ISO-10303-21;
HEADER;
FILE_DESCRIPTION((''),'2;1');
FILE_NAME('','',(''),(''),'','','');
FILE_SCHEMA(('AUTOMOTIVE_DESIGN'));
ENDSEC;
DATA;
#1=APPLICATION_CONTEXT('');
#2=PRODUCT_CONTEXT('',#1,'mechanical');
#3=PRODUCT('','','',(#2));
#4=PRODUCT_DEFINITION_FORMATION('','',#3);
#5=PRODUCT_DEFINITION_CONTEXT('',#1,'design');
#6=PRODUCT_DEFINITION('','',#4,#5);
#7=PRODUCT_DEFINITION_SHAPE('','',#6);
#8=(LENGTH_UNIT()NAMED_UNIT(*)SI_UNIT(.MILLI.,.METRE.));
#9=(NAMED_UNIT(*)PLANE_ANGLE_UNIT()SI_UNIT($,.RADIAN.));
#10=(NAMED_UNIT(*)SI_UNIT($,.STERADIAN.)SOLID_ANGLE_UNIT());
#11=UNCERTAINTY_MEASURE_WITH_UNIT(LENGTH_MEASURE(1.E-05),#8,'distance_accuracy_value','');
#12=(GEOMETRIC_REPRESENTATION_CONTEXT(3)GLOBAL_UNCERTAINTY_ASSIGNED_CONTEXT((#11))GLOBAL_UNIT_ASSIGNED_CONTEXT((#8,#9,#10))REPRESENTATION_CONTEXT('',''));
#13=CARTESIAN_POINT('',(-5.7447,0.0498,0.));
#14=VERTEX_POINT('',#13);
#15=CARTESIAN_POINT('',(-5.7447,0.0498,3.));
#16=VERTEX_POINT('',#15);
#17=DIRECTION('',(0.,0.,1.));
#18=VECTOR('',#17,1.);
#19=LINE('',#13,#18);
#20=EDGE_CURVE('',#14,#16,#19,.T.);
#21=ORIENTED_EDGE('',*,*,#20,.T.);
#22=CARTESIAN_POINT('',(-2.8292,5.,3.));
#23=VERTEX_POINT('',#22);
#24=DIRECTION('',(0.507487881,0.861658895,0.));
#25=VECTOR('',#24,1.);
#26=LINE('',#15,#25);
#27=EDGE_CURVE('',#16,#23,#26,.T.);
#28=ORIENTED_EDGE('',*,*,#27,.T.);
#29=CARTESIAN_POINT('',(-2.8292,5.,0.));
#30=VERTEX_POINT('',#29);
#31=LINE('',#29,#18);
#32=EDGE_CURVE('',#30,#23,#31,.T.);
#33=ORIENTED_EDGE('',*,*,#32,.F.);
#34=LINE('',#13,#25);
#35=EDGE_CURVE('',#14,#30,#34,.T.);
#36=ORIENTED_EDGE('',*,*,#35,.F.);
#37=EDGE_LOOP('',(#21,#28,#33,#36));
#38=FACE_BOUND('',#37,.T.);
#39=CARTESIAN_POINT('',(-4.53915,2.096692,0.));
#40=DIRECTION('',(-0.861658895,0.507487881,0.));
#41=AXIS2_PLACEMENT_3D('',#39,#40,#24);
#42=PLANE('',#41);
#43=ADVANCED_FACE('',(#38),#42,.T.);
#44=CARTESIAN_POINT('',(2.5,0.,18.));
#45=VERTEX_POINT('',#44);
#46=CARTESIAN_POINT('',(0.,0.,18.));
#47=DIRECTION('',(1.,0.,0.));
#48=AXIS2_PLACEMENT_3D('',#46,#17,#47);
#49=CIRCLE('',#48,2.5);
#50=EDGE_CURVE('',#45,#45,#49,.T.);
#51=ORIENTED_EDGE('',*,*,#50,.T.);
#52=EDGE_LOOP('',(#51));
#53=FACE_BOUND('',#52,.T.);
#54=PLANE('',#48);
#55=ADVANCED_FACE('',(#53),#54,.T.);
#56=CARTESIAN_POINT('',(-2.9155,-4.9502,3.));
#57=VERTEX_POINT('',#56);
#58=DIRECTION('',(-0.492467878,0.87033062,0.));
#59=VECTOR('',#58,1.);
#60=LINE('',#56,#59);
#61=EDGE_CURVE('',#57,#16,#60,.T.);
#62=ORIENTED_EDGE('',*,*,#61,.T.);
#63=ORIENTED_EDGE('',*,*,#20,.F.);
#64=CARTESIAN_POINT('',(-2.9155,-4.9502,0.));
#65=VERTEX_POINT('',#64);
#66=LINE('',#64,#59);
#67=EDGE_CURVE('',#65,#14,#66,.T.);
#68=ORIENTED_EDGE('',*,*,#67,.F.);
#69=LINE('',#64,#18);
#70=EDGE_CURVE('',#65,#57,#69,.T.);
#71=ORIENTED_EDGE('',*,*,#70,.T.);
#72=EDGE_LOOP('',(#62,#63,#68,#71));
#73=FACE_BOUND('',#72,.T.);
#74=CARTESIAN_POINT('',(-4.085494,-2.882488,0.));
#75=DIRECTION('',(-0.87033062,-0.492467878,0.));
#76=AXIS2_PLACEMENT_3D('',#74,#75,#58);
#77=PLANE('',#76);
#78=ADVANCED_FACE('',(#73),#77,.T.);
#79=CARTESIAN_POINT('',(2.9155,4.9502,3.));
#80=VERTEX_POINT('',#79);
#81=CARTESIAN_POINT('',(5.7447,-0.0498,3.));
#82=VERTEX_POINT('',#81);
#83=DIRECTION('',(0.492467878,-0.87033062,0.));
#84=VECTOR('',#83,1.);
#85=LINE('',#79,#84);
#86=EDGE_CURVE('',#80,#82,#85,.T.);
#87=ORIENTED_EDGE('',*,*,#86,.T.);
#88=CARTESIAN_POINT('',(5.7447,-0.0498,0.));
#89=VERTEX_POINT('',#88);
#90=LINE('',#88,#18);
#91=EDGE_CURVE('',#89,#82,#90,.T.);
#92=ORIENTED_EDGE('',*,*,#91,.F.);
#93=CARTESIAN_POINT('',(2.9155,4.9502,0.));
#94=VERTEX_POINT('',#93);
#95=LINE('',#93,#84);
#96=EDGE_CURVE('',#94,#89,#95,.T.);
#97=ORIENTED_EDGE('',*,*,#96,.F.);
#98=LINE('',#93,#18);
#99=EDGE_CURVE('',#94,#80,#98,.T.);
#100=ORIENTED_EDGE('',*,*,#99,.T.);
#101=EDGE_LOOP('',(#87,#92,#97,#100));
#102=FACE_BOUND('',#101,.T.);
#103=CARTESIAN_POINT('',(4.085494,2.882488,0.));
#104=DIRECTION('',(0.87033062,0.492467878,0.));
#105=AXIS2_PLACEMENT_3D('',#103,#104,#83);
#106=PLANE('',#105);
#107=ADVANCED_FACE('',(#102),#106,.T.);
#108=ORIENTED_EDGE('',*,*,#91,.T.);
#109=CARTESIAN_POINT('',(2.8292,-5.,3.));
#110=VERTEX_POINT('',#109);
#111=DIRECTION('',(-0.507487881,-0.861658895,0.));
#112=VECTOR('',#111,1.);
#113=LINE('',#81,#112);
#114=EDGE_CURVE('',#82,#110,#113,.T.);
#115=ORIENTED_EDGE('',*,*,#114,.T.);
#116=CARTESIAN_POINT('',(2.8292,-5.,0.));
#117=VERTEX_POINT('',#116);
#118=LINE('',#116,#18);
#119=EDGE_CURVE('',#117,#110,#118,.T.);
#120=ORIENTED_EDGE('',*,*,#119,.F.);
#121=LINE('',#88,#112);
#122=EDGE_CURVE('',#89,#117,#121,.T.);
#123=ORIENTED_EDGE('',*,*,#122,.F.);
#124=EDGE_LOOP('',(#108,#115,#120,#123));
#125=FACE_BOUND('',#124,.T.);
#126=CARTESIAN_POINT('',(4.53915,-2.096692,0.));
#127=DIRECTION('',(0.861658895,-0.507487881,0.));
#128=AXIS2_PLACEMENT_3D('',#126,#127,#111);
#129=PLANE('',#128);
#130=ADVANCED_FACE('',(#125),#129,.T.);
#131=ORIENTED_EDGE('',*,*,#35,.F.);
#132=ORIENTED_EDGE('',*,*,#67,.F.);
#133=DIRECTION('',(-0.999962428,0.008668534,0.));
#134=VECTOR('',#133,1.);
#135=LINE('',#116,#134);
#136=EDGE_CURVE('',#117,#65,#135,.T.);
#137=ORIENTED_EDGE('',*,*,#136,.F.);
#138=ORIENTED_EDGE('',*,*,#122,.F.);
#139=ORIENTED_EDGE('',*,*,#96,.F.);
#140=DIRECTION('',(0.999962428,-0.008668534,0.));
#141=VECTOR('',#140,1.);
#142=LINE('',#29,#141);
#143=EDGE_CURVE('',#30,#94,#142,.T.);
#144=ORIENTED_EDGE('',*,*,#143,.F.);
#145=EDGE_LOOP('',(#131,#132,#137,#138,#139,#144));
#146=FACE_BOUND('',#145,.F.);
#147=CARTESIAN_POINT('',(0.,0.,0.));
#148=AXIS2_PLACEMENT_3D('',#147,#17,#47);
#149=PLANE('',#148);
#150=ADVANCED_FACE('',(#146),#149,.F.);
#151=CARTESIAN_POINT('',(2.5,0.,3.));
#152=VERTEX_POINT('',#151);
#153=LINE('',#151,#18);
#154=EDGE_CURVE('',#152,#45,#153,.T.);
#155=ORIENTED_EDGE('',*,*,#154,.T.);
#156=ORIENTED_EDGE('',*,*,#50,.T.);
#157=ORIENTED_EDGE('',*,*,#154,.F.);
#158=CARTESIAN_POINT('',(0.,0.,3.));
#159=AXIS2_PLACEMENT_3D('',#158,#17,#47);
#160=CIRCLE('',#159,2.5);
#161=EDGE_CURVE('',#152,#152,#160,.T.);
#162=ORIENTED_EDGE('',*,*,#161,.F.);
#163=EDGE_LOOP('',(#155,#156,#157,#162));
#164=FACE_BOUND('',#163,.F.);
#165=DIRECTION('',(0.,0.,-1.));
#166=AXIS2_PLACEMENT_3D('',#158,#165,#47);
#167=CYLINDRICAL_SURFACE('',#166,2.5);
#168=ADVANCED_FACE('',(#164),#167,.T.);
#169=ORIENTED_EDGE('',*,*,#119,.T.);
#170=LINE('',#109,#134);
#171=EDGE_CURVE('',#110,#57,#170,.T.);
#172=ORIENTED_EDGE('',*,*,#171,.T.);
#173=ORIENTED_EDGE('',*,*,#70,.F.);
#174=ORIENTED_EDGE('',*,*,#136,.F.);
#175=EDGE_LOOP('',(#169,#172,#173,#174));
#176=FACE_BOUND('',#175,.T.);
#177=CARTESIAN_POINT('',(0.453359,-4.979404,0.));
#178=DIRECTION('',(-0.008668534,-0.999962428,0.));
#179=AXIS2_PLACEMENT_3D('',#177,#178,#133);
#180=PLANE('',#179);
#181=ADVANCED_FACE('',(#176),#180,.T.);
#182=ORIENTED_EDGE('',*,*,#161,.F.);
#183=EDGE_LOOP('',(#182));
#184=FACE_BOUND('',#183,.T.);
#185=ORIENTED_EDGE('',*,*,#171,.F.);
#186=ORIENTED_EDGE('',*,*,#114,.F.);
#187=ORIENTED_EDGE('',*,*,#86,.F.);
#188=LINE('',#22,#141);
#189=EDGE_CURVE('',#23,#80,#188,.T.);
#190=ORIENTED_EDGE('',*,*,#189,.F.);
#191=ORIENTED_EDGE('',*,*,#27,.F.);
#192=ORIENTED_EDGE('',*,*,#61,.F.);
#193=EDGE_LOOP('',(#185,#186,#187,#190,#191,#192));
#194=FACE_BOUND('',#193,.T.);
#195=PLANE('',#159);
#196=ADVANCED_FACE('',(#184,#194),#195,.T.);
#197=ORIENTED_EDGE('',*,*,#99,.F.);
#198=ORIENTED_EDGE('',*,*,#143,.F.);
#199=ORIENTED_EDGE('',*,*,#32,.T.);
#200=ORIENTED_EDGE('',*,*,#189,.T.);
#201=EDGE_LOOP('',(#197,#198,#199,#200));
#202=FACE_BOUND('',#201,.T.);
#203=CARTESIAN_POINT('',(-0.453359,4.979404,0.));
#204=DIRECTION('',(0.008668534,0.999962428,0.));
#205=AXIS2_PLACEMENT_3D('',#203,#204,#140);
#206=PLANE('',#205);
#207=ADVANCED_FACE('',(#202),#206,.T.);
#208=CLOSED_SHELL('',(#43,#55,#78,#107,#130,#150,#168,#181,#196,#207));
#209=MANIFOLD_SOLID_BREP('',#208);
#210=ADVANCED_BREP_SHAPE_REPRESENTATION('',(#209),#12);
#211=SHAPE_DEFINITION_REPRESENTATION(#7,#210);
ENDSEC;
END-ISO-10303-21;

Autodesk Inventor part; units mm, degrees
ref_plane "YZ Plane" through (0, 0, 0) normal (1, 0, 0) x (0, 1, 0)
ref_plane "XZ Plane" through (0, 0, 0) normal (0, 1, 0) x (-1, 0, 0)
ref_plane "XY Plane" through (0, 0, 0) normal (0, 0, 1) x (1, 0, 0)
sketch "Sketch1" plane through (0, 0, 0) normal (0, 0, 1) x (1, 0, 0)
  circle A0 centre (0, 0) radius 2.5
  circle A1 centre (0, 0) radius 5
  line L0 (2.8292, -5) -> (-2.9155, -4.9502)
  line L1 (-2.9155, -4.9502) -> (-5.7447, 0.0498)
  line L2 (-5.7447, 0.0498) -> (-2.8292, 5)
  line L3 (-2.8292, 5) -> (2.9155, 4.9502)
  line L4 (2.9155, 4.9502) -> (5.7447, -0.0498)
  line L5 (5.7447, -0.0498) -> (2.8292, -5)
  dimension "d0" = 5
  dimension "d1" = 10
extrude "Extrusion1" add sketch "Sketch1" along normal blind 3 contours A0 | A1 L5 L0 L1 L2 L3 L4 | A1 L4 L5 | A1 L3 L4 | L5 L0 A1 | A1 L2 L3 | L0 L1 A1 | A1 L1 L2
sketch "Sketch2" plane through (0, 0, 3) normal (0, 0, 1) x (1, 0, 0)
  circle A0 centre (0, 0) radius 2.5
  dimension "d4" = 5
extrude "Extrusion2" add sketch "Sketch2" along normal blind 15
thread "Thread1" size "M5x0.8" class "6g" standard "ANSI Metric M Profile" full length
sketch "Sketch3" plane through (0, 0, 0) normal (0, 0, -1) x (-1, 0, 0)
  point P0 (0, 0)
properties part number "Screw"
